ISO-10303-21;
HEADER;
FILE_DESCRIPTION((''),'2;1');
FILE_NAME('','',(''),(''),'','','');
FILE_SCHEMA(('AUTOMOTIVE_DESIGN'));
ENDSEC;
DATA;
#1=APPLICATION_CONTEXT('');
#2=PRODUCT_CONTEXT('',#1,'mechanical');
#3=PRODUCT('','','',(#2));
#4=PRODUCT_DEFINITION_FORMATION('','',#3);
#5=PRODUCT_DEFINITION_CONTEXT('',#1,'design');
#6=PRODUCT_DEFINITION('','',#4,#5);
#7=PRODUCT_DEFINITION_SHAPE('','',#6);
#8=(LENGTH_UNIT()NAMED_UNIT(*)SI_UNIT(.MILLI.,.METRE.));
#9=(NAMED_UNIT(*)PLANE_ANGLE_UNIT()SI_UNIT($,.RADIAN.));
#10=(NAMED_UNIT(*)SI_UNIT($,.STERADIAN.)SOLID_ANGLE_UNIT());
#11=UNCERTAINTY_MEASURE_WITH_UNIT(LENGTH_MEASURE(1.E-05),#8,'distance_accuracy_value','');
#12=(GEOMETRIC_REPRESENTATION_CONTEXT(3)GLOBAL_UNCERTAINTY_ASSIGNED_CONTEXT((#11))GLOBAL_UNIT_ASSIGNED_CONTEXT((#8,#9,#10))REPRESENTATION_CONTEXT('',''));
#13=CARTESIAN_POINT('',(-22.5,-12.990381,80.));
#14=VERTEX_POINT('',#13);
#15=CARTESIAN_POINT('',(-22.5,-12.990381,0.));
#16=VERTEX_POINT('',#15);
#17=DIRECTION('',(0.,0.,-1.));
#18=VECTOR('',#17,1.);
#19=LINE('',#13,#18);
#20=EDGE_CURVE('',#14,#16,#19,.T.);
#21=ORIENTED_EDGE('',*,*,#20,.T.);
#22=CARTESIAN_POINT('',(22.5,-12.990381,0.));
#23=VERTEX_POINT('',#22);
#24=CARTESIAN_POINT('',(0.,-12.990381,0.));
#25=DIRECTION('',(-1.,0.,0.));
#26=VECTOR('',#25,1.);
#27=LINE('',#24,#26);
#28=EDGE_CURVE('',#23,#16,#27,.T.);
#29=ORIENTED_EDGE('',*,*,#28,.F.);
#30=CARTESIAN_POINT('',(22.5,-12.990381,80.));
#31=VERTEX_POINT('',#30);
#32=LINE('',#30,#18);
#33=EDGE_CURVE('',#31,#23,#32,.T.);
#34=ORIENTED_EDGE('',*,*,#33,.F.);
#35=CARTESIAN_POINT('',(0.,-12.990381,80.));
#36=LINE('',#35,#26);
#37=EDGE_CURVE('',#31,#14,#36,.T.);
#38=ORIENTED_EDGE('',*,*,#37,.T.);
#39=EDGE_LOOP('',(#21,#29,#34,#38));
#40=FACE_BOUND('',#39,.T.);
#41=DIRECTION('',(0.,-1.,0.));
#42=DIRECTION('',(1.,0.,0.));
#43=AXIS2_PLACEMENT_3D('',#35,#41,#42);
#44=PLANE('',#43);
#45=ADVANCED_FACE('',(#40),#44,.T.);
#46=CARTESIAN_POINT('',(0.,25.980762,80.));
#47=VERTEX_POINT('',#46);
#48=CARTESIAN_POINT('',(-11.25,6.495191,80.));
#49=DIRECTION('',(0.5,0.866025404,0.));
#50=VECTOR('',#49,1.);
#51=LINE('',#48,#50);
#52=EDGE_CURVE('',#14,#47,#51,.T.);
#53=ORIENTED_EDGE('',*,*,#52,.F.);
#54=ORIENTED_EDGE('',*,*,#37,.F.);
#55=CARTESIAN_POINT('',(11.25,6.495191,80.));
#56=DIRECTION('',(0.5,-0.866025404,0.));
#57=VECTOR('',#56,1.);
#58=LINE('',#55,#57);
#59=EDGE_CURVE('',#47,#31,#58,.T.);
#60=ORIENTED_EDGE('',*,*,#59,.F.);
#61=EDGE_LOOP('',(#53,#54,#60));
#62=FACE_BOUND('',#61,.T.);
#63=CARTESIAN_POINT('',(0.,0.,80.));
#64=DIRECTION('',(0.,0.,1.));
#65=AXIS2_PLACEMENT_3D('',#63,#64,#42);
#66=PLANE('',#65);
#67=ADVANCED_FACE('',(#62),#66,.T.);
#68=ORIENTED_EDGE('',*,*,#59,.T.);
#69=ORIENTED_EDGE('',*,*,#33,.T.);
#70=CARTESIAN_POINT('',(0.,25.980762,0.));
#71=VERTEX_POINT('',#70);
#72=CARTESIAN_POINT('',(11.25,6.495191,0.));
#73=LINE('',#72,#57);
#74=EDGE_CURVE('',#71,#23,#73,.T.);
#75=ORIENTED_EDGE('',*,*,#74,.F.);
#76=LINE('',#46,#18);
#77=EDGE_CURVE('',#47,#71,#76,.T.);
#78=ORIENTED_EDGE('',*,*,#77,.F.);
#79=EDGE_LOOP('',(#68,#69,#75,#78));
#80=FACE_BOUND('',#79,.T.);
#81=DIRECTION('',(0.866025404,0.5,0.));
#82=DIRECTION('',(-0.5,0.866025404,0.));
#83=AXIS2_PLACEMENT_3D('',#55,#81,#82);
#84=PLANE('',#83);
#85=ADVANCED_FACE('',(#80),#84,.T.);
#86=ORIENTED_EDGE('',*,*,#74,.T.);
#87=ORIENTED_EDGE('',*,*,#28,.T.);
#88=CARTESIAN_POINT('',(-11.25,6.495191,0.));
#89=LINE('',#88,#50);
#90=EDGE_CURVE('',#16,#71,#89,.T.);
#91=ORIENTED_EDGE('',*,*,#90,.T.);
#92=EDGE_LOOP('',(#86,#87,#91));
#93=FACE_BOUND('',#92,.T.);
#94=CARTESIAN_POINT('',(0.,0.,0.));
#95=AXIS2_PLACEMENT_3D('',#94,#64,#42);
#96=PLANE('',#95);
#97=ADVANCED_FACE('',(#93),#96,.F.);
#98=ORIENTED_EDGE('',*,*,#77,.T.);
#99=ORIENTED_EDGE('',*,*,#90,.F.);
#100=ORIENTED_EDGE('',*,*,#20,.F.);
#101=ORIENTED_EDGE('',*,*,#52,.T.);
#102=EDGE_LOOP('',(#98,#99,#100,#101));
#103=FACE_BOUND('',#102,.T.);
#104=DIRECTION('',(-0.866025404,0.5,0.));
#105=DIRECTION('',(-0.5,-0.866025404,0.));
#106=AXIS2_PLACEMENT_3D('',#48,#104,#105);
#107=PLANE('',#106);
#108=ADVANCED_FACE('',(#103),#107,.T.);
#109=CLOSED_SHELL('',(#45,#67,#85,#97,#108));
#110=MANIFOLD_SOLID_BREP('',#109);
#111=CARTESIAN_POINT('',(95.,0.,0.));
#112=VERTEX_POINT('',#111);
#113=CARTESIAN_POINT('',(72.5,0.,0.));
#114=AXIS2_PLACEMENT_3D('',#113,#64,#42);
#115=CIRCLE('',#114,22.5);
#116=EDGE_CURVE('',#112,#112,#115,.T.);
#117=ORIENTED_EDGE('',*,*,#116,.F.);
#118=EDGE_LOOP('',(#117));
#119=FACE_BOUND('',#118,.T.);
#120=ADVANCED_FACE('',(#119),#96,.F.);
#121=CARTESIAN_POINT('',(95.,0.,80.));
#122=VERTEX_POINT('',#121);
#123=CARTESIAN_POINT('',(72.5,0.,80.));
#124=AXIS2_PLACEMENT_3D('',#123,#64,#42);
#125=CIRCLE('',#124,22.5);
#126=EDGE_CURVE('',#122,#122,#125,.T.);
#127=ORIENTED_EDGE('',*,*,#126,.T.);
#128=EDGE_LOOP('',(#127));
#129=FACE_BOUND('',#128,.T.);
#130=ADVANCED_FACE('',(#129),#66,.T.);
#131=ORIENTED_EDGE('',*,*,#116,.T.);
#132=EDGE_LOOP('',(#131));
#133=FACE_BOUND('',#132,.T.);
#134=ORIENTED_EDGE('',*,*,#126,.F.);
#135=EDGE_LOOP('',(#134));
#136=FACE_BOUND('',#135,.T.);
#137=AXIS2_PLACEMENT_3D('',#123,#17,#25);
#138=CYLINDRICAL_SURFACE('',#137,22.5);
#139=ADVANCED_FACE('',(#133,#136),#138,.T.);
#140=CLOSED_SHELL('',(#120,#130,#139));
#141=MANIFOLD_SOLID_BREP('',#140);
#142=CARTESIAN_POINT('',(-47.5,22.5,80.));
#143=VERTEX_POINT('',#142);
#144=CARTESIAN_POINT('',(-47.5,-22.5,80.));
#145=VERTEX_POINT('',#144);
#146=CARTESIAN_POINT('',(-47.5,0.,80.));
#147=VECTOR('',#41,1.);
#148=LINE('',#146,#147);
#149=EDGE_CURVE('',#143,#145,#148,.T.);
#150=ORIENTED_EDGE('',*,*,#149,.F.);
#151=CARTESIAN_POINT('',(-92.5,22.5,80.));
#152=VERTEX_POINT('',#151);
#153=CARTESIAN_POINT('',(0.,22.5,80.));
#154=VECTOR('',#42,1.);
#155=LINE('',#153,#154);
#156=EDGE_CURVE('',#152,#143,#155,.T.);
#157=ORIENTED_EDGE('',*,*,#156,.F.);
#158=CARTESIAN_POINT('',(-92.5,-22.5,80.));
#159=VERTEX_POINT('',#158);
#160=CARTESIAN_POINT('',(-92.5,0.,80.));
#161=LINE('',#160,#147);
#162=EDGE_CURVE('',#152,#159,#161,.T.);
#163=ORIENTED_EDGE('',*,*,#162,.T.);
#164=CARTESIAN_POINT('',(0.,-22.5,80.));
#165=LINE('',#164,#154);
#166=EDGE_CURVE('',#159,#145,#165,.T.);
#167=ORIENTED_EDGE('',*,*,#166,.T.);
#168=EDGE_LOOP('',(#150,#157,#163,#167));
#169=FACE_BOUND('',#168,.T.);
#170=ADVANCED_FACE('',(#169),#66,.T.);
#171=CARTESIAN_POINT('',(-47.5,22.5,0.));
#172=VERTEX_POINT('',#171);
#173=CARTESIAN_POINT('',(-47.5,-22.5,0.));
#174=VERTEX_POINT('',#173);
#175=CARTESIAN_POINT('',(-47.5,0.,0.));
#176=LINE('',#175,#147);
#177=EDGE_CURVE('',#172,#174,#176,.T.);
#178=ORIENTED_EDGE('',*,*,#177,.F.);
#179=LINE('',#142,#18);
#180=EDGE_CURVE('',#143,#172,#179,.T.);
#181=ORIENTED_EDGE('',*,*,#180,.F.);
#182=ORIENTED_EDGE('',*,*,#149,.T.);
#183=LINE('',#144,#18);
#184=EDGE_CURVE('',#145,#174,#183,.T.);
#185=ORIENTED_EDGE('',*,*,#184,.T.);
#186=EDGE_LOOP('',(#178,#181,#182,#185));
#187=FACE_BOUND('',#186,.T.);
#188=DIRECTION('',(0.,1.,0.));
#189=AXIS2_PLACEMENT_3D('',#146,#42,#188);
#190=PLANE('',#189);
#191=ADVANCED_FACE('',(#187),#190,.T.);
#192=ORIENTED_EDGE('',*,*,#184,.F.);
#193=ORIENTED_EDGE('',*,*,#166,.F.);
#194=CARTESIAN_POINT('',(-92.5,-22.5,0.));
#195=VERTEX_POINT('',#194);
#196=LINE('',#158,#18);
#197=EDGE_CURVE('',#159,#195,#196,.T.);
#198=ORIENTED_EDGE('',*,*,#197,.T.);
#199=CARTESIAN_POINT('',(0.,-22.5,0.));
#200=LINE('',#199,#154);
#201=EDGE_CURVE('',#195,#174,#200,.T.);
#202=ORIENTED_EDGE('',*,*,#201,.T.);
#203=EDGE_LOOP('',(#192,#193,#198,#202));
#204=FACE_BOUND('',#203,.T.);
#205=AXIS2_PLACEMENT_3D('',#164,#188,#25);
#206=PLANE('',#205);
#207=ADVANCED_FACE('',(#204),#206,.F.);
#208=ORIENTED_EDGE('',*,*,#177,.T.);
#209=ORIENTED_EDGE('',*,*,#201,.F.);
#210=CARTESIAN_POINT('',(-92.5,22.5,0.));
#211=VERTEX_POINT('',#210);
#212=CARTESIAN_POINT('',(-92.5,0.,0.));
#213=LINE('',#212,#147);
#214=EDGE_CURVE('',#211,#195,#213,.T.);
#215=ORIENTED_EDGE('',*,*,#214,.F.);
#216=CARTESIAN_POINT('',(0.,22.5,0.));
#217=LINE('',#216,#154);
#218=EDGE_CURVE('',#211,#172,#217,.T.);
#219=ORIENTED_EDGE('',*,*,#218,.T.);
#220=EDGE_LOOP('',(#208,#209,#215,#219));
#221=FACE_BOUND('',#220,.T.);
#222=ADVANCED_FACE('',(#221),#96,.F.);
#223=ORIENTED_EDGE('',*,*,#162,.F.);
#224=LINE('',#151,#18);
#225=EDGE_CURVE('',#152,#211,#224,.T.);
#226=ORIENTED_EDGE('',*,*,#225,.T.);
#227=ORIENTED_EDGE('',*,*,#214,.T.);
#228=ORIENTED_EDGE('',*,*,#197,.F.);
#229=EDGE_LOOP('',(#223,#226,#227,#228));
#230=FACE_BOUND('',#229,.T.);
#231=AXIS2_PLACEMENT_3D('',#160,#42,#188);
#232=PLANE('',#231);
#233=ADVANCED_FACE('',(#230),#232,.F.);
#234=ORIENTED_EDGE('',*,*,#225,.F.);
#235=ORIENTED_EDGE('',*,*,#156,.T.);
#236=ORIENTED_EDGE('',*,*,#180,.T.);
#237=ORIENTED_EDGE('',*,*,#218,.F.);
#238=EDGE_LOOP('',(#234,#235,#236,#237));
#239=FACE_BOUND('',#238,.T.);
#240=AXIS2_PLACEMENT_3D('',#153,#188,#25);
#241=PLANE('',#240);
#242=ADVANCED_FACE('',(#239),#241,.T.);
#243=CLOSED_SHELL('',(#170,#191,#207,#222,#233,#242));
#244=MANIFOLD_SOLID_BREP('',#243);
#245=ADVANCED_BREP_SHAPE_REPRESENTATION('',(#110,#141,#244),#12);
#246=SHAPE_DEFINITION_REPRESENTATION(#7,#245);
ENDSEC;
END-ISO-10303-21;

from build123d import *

# Parameters (mm, degrees)
SKETCH1_R             = 22.5
BOSS_EXTRUDE1_DEPTH   = 80
BOSS_EXTRUDE1_2_DEPTH = 80
SKETCH1_W             = 45
SKETCH1_H             = 45
BOSS_EXTRUDE1_3_DEPTH = 80


with BuildPart() as part:
    # Sketch1 → Boss-Extrude1 (new body)
    with BuildSketch(Plane.XY):
        with Locations((72.5, 0)):
            Circle(SKETCH1_R)
    extrude(amount=BOSS_EXTRUDE1_DEPTH)


with BuildPart() as body_2:
    # Sketch1 → Boss-Extrude1 2 (new body)
    with BuildSketch(Plane.XY):
        Polygon((-22.5, -12.990381057), (0, 25.980762114), (22.5, -12.990381057), align=None)
    extrude(amount=BOSS_EXTRUDE1_2_DEPTH)


with BuildPart() as body_3:
    # Sketch1 → Boss-Extrude1 3 (new body)
    with BuildSketch(Plane.XY):
        with Locations((-70, 0)):
            Rectangle(SKETCH1_W, SKETCH1_H)
    extrude(amount=BOSS_EXTRUDE1_3_DEPTH)


solid = Compound([part.part, body_2.part, body_3.part])
